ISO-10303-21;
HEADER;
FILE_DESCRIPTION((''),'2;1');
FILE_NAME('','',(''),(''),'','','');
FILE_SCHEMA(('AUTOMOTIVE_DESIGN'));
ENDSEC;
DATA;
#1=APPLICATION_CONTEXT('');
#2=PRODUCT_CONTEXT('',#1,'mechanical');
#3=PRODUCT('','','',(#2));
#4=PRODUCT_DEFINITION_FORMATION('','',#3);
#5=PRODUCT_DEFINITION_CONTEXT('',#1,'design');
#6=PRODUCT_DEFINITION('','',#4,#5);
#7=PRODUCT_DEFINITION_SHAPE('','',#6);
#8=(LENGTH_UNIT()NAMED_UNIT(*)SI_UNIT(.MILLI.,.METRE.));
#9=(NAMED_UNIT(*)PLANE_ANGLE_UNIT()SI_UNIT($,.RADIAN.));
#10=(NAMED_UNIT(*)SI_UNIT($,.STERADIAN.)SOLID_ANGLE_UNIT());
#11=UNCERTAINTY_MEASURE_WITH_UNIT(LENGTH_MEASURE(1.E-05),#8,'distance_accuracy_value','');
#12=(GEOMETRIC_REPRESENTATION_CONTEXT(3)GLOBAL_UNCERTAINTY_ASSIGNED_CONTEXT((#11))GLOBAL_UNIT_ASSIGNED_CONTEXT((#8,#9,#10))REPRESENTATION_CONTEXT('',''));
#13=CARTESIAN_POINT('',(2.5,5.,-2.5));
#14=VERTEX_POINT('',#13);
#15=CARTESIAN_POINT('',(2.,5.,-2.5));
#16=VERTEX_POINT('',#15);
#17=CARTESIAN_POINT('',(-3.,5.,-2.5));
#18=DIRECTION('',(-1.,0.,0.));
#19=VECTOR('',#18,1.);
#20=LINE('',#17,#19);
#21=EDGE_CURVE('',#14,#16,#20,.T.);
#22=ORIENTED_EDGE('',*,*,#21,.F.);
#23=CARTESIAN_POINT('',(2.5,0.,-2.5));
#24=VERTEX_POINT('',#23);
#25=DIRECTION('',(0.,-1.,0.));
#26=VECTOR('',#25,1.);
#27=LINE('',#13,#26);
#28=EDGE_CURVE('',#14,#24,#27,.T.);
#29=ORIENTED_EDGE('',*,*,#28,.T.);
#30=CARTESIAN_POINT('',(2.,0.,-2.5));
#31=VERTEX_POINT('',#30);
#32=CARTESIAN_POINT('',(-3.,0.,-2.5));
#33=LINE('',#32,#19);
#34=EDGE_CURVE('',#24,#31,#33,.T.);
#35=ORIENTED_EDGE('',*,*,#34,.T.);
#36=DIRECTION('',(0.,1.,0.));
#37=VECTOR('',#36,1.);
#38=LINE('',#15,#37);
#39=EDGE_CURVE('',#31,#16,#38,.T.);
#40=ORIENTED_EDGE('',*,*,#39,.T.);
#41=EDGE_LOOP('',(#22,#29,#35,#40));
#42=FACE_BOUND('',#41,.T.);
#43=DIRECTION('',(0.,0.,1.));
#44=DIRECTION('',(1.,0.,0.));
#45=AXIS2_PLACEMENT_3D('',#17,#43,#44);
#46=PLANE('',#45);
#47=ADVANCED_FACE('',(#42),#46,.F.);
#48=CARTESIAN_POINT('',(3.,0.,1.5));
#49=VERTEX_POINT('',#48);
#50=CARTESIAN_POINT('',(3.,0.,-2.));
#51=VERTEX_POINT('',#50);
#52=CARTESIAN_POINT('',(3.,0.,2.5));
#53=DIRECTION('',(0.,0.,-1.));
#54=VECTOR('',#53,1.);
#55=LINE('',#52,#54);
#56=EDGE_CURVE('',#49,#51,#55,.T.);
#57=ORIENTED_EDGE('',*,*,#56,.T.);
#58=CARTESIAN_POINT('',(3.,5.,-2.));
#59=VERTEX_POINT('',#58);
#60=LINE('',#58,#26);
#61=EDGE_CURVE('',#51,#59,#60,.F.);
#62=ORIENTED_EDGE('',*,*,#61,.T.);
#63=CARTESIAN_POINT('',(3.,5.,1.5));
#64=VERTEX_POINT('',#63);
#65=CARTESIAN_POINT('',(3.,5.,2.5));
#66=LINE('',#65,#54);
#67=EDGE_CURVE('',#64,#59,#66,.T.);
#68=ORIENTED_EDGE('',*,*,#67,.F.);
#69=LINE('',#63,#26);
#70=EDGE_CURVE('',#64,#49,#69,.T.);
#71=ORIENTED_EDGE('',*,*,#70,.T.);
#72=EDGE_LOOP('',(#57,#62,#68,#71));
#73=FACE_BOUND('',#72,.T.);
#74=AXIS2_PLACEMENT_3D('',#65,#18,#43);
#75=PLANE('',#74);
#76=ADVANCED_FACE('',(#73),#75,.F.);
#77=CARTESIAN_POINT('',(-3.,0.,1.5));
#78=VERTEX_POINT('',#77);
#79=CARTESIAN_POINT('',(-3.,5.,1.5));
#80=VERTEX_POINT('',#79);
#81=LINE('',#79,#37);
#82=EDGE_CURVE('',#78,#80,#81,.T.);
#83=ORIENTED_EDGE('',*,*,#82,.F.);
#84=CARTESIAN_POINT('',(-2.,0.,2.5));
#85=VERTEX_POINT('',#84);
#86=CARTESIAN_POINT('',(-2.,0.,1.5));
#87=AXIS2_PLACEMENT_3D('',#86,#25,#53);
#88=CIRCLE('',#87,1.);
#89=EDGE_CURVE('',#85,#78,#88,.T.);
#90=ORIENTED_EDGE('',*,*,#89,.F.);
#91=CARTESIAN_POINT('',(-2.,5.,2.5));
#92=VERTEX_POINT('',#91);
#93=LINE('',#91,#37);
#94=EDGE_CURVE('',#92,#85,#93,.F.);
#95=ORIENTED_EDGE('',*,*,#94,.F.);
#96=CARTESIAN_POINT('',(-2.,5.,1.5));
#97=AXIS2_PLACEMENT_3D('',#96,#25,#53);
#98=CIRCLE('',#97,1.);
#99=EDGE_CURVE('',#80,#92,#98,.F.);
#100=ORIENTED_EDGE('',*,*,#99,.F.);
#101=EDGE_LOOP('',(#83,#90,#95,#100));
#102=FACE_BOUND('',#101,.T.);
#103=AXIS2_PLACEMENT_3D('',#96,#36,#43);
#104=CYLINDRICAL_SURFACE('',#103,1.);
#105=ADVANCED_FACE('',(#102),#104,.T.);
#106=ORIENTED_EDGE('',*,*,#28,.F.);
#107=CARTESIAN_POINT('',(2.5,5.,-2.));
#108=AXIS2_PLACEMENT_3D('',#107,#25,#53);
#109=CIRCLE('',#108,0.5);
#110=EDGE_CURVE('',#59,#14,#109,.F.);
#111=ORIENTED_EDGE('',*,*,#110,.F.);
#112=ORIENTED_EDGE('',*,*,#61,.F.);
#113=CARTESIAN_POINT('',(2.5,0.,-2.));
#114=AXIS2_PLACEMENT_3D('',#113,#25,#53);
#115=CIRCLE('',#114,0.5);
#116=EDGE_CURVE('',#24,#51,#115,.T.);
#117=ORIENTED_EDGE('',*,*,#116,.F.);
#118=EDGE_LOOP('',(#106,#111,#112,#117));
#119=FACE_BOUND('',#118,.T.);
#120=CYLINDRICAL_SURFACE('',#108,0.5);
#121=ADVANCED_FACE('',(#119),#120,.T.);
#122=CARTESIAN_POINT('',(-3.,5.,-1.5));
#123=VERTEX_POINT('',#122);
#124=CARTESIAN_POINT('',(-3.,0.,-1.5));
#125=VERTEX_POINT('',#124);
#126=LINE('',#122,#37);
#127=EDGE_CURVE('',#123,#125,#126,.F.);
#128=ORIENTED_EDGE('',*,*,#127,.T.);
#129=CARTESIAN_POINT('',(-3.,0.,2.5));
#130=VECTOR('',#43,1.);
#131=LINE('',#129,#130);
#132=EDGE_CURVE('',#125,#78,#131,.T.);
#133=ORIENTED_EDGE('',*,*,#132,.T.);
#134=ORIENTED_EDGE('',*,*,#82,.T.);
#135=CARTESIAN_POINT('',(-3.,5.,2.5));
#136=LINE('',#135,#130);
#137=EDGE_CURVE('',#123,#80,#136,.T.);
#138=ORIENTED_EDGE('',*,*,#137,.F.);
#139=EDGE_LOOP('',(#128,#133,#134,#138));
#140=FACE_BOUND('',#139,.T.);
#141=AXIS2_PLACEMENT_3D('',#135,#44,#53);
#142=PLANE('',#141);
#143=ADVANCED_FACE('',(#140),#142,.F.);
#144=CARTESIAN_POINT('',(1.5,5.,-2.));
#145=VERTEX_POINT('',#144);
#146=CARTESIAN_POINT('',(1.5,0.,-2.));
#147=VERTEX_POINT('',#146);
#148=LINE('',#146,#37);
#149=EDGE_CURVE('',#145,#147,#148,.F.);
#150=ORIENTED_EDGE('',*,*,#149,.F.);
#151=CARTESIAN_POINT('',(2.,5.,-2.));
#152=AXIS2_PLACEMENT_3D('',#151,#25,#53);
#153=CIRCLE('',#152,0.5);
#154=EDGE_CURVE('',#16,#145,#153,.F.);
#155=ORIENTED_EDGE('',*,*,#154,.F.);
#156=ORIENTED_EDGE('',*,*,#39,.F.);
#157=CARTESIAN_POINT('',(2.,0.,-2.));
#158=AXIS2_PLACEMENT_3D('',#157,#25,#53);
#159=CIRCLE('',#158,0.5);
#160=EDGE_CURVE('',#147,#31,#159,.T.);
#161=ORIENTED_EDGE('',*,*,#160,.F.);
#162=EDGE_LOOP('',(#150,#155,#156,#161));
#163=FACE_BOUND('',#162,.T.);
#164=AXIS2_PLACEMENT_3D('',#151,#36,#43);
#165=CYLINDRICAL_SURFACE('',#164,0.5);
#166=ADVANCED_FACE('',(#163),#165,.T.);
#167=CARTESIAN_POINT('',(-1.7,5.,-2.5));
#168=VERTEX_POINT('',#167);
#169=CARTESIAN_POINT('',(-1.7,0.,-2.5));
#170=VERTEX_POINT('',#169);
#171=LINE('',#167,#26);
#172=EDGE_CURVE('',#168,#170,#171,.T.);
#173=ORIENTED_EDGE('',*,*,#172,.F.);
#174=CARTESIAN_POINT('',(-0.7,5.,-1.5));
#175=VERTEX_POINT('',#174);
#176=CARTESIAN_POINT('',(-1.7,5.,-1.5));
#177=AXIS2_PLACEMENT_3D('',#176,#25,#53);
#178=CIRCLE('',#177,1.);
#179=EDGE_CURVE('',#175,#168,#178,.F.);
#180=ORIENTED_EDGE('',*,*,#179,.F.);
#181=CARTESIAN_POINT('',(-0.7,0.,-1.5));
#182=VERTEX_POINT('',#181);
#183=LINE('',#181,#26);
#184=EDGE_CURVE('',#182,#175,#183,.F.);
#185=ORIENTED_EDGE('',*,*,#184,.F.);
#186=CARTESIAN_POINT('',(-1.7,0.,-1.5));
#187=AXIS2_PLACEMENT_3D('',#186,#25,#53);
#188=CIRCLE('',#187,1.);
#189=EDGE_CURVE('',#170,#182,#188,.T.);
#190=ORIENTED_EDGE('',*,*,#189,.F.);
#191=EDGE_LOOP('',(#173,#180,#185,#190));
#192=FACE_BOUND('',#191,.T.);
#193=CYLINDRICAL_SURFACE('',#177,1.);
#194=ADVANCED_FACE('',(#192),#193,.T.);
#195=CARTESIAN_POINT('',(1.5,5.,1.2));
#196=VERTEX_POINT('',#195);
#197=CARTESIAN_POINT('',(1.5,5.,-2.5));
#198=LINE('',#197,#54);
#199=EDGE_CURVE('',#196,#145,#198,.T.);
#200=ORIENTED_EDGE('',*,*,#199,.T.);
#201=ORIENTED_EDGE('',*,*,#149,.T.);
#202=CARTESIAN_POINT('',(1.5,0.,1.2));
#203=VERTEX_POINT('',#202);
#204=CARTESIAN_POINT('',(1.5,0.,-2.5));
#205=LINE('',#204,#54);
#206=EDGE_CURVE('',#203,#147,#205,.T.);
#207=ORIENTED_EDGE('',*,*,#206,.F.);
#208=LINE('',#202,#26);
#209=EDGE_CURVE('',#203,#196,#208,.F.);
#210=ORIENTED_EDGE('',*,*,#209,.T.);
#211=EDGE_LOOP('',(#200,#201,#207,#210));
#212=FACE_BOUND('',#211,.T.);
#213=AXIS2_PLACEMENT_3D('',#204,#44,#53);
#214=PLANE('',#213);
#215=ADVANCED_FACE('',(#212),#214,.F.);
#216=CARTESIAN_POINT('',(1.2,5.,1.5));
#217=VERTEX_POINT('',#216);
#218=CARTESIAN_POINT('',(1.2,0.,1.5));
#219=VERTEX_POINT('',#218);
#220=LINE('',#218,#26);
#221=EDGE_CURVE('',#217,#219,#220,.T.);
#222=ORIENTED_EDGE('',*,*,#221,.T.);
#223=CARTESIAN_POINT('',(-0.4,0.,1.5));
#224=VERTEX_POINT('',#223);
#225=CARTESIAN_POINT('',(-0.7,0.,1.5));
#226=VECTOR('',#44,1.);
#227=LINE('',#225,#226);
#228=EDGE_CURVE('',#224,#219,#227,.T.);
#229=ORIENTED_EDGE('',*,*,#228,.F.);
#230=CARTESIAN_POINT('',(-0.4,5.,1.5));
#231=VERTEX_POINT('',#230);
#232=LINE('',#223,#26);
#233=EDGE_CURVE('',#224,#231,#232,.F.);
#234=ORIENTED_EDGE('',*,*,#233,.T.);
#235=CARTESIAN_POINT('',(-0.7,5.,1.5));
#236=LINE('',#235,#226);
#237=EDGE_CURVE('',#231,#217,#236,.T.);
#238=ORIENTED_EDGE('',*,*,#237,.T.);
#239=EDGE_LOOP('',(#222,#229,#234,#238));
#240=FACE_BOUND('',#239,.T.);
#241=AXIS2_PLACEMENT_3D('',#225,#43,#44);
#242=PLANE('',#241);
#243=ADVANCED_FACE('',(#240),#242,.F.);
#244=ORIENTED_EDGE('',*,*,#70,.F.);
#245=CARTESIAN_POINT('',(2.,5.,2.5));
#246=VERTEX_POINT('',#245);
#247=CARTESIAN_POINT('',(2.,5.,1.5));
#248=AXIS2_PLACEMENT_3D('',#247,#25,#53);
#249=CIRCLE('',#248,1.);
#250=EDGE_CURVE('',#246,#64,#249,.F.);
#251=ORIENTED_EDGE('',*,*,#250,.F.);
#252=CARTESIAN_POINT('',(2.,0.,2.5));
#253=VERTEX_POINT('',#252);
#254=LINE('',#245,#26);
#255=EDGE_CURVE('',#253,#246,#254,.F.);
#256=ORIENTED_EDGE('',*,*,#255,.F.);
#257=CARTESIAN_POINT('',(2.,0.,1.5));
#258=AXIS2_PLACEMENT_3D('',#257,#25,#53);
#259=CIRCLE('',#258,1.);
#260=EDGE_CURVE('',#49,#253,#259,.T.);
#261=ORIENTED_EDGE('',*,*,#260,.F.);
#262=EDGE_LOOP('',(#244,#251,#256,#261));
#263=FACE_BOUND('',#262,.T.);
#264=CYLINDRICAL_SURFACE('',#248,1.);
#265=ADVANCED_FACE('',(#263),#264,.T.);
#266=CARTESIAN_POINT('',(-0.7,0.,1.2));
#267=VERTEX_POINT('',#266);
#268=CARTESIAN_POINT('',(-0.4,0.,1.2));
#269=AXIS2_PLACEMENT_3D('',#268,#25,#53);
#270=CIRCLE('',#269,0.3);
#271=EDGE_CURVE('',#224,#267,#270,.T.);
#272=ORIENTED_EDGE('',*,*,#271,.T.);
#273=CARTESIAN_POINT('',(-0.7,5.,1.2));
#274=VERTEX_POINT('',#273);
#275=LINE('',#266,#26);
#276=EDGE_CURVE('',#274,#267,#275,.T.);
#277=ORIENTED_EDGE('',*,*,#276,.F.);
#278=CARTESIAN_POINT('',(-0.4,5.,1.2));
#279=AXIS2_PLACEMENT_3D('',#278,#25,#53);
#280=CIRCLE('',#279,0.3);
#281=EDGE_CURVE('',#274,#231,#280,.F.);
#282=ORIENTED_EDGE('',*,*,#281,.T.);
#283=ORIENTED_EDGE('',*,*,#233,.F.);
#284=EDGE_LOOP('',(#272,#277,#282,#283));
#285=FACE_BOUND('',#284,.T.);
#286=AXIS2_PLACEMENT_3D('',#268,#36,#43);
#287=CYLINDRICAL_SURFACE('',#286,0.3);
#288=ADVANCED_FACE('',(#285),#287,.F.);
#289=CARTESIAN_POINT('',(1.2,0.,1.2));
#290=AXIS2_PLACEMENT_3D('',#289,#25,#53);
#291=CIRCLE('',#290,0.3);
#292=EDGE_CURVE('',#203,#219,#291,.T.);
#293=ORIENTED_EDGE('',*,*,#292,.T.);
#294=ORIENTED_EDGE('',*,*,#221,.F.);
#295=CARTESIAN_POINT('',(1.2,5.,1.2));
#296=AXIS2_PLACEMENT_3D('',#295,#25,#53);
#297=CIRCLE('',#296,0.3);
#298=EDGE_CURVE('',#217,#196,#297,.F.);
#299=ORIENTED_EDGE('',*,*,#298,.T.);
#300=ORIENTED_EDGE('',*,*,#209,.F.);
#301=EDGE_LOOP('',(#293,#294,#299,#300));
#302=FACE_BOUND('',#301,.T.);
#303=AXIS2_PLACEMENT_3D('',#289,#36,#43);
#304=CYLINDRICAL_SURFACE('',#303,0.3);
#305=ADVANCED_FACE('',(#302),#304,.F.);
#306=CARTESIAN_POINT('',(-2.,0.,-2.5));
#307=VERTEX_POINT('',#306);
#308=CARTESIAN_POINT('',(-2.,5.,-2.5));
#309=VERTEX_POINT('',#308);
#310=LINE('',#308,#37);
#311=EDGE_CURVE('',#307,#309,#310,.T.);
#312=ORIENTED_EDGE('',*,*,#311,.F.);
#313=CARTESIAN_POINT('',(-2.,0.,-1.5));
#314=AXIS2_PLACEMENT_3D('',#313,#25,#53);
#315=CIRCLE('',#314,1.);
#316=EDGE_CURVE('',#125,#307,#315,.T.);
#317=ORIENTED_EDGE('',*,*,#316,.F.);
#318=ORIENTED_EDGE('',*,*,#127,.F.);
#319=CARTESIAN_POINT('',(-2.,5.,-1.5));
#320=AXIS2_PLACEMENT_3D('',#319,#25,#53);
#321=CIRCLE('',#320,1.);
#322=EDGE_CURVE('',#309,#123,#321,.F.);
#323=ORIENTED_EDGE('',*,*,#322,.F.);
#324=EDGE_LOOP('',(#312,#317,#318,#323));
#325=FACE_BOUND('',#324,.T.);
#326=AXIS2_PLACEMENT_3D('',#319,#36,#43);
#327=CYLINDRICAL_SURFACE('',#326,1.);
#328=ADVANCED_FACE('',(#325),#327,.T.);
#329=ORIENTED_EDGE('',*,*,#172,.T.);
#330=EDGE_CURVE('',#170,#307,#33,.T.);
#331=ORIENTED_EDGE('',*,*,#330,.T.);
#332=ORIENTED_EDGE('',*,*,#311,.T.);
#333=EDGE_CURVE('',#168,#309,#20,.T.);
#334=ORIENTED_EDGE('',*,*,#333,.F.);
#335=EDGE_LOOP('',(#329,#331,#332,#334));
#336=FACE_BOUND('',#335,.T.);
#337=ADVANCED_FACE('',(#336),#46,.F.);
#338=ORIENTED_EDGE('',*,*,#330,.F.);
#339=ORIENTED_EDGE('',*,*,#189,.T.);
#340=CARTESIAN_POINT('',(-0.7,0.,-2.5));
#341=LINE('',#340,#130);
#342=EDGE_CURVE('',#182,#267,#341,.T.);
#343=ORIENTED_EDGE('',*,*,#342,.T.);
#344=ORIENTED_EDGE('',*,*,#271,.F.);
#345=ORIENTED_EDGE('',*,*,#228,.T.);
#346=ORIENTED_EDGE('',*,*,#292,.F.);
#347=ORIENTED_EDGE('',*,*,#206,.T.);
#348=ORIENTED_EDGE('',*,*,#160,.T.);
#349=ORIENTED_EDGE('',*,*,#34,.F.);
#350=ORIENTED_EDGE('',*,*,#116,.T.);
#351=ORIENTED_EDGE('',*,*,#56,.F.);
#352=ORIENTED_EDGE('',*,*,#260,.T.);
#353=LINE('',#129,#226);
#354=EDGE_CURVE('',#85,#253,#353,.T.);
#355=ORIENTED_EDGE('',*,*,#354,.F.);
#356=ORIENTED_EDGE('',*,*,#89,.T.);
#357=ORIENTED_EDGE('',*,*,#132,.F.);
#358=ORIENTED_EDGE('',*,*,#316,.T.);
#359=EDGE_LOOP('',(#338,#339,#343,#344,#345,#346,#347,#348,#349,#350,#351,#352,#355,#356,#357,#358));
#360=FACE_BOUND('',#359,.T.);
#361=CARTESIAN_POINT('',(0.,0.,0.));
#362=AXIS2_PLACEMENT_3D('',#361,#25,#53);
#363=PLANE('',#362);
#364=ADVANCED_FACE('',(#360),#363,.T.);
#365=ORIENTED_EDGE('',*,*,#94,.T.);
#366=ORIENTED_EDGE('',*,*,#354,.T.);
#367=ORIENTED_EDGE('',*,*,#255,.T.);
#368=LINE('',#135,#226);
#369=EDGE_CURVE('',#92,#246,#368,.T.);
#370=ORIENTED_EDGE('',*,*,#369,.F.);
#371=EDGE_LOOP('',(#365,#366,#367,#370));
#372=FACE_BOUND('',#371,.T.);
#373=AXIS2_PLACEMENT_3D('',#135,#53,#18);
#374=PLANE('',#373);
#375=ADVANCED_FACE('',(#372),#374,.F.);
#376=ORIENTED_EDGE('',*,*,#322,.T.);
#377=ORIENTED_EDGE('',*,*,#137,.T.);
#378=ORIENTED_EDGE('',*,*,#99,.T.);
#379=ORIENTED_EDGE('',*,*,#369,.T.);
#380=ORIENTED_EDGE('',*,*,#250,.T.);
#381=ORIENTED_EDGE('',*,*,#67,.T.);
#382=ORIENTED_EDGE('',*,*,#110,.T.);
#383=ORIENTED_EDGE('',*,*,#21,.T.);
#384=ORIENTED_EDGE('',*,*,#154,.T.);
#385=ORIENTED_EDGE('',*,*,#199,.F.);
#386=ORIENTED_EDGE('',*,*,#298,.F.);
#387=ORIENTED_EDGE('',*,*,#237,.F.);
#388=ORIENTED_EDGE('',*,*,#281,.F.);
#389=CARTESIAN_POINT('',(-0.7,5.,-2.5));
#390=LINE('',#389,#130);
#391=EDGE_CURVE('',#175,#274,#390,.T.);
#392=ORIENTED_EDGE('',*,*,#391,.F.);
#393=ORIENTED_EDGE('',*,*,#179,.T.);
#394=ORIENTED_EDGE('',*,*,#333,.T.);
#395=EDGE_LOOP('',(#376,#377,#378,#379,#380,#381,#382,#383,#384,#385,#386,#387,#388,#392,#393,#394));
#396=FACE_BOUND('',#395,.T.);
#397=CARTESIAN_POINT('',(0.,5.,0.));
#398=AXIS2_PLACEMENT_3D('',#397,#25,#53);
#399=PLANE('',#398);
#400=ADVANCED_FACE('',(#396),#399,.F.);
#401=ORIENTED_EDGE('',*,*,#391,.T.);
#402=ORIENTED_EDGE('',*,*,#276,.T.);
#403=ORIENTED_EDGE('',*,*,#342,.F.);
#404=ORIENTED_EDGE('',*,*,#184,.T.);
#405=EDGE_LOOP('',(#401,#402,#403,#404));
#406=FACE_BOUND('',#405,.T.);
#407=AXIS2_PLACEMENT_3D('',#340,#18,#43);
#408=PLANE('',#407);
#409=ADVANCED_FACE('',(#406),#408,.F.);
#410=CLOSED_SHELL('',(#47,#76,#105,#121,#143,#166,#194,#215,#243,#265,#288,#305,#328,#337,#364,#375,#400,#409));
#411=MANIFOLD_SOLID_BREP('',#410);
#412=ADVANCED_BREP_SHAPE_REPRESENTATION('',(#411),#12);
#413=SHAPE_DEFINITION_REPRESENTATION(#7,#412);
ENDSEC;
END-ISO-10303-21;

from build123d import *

# Parameters (mm, degrees)
ESBO_O1_W                = 6
ESBO_O1_H                = 5
RESSALTO_EXTRUS_O1_DEPTH = 5
ESBO_O3_W                = 2.2
ESBO_O3_H                = 4
CORTE_EXTRUS_O1_DEPTH    = 5
FILETE1_R                = 1
FILETE2_R                = 1
FILETE3_R                = 1
FILETE4_R                = 1
FILETE5_R                = 0.5
FILETE6_R                = 0.5
FILETE7_R                = 0.3
FILETE8_R                = 0.3


with BuildPart() as part:
    # Esboço1 → Ressalto-extrusão1 (new body)
    with BuildSketch(Plane(origin=(0, 0, 0), x_dir=(1, 0, 0), z_dir=(0, 1, 0))):
        Rectangle(ESBO_O1_W, ESBO_O1_H)
    extrude(amount=RESSALTO_EXTRUS_O1_DEPTH)

    # Esboço3 → Corte-extrusão1 (cut)
    with BuildSketch(Plane(origin=(0, 5, 0), x_dir=(1, 0, 0), z_dir=(0, 1, 0))):
        with Locations((0.4, 0.5)):
            Rectangle(ESBO_O3_W, ESBO_O3_H)
    extrude(amount=-CORTE_EXTRUS_O1_DEPTH, mode=Mode.SUBTRACT)

    # Filete1
    filete1_edges = [part.edges().sort_by_distance(p)[0] for p in [
        (3, 2.5, 2.5),
    ]]
    fillet(filete1_edges, radius=FILETE1_R)

    # Filete2
    filete2_edges = [part.edges().sort_by_distance(p)[0] for p in [
        (-3, 2.5, 2.5),
    ]]
    fillet(filete2_edges, radius=FILETE2_R)

    # Filete3
    filete3_edges = [part.edges().sort_by_distance(p)[0] for p in [
        (-3, 2.5, -2.5),
    ]]
    fillet(filete3_edges, radius=FILETE3_R)

    # Filete4
    filete4_edges = [part.edges().sort_by_distance(p)[0] for p in [
        (-0.7, 2.5, -2.5),
    ]]
    fillet(filete4_edges, radius=FILETE4_R)

    # Filete5
    filete5_edges = [part.edges().sort_by_distance(p)[0] for p in [
        (1.5, 2.5, -2.5),
    ]]
    fillet(filete5_edges, radius=FILETE5_R)

    # Filete6
    filete6_edges = [part.edges().sort_by_distance(p)[0] for p in [
        (3, 2.5, -2.5),
    ]]
    fillet(filete6_edges, radius=FILETE6_R)

    # Filete7
    filete7_edges = [part.edges().sort_by_distance(p)[0] for p in [
        (1.5, 2.5, 1.5),
    ]]
    fillet(filete7_edges, radius=FILETE7_R)

    # Filete8
    filete8_edges = [part.edges().sort_by_distance(p)[0] for p in [
        (-0.7, 2.5, 1.5),
    ]]
    fillet(filete8_edges, radius=FILETE8_R)


solid = part.part
